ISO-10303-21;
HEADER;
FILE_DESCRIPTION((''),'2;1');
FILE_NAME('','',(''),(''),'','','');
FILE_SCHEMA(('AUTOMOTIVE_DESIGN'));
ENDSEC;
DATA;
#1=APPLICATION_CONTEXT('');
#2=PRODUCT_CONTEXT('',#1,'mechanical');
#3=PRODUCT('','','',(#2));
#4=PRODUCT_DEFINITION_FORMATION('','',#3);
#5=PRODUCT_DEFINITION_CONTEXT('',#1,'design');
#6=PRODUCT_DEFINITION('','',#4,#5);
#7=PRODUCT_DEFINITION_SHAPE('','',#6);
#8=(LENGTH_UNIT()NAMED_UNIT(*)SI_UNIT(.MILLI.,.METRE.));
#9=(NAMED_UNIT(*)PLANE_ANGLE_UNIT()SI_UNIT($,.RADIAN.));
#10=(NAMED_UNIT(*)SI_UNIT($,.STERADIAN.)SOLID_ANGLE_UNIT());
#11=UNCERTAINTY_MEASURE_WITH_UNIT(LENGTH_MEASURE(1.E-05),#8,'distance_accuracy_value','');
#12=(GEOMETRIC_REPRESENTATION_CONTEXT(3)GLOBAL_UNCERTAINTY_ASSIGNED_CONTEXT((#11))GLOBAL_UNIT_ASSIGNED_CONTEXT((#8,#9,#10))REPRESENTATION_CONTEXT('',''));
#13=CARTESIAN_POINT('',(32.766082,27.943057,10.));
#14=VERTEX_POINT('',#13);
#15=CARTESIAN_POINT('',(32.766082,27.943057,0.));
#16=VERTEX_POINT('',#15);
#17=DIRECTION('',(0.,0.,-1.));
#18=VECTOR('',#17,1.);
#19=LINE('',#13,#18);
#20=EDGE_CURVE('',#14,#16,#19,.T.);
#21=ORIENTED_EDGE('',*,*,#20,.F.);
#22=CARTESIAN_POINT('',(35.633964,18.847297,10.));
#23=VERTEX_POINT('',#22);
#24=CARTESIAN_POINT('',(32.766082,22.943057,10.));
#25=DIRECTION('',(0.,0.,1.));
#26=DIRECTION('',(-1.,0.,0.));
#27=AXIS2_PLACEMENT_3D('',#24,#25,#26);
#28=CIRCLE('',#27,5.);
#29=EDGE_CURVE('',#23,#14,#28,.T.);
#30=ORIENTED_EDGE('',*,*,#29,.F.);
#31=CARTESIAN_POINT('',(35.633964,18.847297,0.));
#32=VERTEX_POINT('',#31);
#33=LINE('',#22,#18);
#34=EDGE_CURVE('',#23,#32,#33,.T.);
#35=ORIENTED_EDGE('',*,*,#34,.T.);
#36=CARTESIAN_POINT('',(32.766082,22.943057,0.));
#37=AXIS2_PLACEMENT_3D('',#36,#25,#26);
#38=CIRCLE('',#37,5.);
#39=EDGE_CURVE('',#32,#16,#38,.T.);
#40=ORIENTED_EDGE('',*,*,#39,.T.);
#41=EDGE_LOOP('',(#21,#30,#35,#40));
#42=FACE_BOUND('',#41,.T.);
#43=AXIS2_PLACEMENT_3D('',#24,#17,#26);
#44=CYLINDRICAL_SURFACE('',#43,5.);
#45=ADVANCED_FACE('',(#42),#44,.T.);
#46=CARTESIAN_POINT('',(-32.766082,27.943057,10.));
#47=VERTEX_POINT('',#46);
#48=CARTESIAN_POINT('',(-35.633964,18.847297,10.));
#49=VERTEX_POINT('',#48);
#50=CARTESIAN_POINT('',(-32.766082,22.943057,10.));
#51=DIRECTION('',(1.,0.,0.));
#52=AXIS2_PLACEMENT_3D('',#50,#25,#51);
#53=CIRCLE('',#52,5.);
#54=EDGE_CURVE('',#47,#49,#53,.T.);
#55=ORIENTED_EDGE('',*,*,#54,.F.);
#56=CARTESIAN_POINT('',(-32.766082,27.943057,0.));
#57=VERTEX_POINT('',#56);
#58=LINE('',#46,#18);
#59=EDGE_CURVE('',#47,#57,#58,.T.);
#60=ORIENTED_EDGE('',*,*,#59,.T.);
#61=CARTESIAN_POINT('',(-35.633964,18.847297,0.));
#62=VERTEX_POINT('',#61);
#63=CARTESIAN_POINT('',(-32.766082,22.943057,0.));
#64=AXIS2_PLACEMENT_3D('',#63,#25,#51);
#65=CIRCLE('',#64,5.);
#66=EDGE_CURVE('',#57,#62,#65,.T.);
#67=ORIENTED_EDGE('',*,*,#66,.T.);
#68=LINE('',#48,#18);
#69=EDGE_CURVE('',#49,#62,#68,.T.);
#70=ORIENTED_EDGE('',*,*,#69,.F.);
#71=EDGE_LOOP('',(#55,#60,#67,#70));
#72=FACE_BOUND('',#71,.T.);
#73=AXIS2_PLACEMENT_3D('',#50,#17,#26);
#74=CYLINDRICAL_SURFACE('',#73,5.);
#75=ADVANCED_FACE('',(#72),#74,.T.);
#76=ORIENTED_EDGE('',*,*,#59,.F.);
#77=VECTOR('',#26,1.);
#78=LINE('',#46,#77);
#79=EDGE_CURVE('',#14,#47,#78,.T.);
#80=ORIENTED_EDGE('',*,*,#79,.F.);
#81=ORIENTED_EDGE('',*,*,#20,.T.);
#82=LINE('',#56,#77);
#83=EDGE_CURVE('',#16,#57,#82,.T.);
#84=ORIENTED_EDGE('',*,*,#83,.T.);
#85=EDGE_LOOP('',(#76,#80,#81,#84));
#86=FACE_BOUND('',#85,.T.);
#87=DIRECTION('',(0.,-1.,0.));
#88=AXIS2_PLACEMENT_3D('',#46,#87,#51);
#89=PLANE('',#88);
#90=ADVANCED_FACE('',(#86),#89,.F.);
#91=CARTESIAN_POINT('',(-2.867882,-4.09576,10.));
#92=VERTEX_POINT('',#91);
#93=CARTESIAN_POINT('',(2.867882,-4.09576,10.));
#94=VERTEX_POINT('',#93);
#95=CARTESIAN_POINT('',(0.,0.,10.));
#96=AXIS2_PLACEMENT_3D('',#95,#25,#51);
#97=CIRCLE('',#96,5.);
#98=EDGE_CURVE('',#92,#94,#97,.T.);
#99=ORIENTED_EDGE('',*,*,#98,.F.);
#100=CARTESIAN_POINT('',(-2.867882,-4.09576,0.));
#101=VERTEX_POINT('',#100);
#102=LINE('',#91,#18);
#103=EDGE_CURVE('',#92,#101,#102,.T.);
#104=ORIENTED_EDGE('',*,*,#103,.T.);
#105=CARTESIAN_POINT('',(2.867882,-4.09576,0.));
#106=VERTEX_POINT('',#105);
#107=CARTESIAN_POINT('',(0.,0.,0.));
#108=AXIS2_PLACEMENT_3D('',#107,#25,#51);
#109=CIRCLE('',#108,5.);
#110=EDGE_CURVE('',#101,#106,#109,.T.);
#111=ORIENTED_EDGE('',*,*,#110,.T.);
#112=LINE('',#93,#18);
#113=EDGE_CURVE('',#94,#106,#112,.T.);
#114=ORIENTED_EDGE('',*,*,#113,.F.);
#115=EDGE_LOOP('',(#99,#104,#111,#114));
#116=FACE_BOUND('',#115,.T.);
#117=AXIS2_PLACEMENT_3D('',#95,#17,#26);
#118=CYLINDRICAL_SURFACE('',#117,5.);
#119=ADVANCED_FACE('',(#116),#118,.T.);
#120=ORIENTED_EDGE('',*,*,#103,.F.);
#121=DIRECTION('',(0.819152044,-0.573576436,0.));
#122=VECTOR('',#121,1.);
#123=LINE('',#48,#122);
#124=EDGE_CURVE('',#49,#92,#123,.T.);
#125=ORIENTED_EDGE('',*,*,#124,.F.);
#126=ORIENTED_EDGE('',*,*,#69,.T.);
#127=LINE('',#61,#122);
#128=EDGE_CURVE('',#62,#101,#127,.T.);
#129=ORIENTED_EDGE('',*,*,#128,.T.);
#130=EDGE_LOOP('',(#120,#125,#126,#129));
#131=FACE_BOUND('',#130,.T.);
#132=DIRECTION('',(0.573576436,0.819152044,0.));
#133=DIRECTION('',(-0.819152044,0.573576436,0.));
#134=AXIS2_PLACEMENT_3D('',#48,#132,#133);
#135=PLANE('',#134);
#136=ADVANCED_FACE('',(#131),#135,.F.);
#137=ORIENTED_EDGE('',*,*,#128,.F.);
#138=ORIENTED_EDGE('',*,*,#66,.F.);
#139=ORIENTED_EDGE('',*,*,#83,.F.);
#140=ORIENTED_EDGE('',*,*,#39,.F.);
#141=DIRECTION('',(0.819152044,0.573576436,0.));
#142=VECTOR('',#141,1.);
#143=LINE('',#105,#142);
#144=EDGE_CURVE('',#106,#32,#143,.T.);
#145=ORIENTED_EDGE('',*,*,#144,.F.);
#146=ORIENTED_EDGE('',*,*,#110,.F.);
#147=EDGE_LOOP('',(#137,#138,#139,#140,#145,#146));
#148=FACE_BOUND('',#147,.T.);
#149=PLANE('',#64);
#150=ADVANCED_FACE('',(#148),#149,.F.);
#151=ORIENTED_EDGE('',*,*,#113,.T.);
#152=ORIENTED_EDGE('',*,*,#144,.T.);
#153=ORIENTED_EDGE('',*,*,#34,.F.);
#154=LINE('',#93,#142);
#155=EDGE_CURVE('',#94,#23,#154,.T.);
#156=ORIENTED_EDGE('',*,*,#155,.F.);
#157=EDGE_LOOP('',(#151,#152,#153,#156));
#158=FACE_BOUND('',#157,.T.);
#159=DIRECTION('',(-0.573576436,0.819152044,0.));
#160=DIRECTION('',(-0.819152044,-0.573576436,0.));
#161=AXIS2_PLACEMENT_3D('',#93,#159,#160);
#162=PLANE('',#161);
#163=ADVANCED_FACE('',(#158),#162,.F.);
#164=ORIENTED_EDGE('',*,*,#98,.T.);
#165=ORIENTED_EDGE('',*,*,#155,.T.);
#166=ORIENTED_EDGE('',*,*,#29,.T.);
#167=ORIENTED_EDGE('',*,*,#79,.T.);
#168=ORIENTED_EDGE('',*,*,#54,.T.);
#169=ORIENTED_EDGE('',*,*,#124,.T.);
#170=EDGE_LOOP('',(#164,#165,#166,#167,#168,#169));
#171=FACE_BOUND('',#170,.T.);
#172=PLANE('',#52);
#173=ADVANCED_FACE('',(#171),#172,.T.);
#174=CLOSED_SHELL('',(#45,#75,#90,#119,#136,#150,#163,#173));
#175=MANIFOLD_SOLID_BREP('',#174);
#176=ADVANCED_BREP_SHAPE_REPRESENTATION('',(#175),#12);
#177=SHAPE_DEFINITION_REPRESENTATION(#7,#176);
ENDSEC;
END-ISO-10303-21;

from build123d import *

# Parameters (mm, degrees)
EXTRUDE_1_DEPTH = 10


with BuildPart() as part:
    # 草图1 → 凸台-拉伸1 (new body)
    with BuildSketch(Plane.XY):
        with BuildLine():
            Line((2.867882182, -4.095760221), (35.633963953, 18.847297233))
            ThreePointArc((35.633963953, 18.847297233), (37.534666525, 24.446586452), (32.766081772, 27.943057454))
            Line((32.766081772, 27.943057454), (-32.766081772, 27.943057454))
            ThreePointArc((-32.766081772, 27.943057454), (-37.534666525, 24.446586452), (-35.633963953, 18.847297233))
            Line((-35.633963953, 18.847297233), (-2.867882182, -4.095760221))
            ThreePointArc((-2.867882182, -4.095760221), (0, -5), (2.867882182, -4.095760221))
        make_face()
    extrude(amount=EXTRUDE_1_DEPTH)


solid = part.part
